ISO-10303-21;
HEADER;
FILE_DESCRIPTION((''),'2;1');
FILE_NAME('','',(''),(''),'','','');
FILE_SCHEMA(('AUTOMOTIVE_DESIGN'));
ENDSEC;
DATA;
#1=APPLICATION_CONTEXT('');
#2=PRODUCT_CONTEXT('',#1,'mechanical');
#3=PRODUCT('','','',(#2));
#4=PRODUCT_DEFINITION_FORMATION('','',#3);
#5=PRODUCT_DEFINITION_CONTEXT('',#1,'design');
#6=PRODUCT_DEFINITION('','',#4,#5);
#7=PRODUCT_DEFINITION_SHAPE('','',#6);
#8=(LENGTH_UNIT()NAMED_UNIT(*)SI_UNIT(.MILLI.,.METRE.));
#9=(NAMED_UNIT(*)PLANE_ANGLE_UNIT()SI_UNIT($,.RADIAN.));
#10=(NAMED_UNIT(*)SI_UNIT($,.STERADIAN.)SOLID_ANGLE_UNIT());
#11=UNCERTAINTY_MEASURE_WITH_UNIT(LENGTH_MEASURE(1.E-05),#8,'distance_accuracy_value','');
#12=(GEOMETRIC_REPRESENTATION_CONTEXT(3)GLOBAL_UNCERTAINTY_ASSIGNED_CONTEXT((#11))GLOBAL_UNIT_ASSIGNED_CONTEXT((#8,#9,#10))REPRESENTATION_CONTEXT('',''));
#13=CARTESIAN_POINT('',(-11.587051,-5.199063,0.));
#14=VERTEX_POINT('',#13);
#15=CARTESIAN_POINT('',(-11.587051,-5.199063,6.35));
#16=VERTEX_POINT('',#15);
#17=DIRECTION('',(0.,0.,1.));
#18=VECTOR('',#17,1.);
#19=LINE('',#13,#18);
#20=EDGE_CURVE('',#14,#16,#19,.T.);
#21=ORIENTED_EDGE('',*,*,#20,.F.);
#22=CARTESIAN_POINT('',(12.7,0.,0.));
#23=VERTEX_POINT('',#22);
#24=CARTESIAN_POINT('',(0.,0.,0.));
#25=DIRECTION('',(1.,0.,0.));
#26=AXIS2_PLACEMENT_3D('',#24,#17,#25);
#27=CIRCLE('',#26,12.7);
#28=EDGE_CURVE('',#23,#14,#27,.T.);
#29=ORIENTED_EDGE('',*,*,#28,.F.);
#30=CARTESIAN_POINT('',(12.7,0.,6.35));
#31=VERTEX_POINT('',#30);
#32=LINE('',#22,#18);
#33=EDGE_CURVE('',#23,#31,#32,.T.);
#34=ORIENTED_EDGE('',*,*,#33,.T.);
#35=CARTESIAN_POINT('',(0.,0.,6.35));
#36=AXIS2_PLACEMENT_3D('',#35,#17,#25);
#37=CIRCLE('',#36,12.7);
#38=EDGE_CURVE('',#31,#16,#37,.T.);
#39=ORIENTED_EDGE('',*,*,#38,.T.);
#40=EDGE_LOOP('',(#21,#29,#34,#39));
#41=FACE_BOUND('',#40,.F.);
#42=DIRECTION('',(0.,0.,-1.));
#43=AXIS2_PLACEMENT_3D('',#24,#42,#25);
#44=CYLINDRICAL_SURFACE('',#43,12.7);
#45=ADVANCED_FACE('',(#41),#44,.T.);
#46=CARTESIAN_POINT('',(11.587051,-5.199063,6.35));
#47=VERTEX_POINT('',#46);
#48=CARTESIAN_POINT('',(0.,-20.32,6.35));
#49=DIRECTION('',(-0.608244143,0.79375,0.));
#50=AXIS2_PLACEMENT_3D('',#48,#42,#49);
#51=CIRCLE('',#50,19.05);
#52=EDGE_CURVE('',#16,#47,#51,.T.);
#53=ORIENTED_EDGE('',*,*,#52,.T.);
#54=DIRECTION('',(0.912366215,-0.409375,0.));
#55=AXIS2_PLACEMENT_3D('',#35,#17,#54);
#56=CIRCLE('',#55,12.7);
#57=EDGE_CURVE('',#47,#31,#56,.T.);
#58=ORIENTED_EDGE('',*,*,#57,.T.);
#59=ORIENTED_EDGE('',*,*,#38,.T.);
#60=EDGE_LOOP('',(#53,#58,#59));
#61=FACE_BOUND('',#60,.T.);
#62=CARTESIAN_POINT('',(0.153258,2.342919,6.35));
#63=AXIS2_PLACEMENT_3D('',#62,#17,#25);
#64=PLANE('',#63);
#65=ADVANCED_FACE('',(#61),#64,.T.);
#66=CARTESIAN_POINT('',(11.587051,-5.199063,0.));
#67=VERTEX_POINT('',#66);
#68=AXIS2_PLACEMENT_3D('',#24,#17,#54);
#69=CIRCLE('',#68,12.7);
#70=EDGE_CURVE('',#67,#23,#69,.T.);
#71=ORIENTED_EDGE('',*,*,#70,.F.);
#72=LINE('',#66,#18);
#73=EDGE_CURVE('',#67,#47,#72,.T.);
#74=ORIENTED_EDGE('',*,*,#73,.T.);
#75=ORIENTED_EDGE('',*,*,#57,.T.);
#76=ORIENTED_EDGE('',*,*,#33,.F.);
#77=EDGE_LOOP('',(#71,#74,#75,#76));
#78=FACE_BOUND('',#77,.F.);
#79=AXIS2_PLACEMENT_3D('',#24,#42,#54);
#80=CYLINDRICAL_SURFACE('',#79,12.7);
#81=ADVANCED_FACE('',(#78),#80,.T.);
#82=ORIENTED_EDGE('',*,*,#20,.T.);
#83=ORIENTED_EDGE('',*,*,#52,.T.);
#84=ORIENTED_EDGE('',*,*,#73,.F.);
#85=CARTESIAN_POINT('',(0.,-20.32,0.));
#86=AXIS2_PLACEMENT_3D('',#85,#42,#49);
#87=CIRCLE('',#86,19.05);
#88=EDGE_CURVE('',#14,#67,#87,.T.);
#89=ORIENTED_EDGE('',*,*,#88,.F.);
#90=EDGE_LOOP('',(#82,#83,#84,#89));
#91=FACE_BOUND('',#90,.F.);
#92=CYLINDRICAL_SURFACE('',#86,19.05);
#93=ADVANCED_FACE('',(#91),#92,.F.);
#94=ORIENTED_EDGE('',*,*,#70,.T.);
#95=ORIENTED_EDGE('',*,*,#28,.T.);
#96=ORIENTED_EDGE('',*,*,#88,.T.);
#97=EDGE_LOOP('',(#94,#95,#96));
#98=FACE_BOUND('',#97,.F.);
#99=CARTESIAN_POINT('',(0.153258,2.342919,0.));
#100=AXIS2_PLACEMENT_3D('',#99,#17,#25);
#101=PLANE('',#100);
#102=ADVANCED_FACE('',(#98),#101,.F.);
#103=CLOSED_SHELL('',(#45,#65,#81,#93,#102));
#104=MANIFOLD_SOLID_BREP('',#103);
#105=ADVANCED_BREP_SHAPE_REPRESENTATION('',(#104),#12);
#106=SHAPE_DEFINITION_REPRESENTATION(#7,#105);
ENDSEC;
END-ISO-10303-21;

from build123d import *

# Parameters (mm, degrees)
F1_DEPTH = 6.35


with BuildPart() as f1:
    # F0 (on Top) → F1 (new body)
    with BuildSketch(Plane.XY):
        with BuildLine():
            ThreePointArc((11.5870509242, -5.1990625), (12.4186461971, -2.6584255925), (12.7, 0))
            ThreePointArc((12.7, 0), (-2.6584255925, 12.4186461971), (-11.5870509242, -5.1990625))
            ThreePointArc((-11.5870509242, -5.1990625), (0, -1.27), (11.5870509242, -5.1990625))
        make_face()
    extrude(amount=F1_DEPTH)


solid = f1.part
